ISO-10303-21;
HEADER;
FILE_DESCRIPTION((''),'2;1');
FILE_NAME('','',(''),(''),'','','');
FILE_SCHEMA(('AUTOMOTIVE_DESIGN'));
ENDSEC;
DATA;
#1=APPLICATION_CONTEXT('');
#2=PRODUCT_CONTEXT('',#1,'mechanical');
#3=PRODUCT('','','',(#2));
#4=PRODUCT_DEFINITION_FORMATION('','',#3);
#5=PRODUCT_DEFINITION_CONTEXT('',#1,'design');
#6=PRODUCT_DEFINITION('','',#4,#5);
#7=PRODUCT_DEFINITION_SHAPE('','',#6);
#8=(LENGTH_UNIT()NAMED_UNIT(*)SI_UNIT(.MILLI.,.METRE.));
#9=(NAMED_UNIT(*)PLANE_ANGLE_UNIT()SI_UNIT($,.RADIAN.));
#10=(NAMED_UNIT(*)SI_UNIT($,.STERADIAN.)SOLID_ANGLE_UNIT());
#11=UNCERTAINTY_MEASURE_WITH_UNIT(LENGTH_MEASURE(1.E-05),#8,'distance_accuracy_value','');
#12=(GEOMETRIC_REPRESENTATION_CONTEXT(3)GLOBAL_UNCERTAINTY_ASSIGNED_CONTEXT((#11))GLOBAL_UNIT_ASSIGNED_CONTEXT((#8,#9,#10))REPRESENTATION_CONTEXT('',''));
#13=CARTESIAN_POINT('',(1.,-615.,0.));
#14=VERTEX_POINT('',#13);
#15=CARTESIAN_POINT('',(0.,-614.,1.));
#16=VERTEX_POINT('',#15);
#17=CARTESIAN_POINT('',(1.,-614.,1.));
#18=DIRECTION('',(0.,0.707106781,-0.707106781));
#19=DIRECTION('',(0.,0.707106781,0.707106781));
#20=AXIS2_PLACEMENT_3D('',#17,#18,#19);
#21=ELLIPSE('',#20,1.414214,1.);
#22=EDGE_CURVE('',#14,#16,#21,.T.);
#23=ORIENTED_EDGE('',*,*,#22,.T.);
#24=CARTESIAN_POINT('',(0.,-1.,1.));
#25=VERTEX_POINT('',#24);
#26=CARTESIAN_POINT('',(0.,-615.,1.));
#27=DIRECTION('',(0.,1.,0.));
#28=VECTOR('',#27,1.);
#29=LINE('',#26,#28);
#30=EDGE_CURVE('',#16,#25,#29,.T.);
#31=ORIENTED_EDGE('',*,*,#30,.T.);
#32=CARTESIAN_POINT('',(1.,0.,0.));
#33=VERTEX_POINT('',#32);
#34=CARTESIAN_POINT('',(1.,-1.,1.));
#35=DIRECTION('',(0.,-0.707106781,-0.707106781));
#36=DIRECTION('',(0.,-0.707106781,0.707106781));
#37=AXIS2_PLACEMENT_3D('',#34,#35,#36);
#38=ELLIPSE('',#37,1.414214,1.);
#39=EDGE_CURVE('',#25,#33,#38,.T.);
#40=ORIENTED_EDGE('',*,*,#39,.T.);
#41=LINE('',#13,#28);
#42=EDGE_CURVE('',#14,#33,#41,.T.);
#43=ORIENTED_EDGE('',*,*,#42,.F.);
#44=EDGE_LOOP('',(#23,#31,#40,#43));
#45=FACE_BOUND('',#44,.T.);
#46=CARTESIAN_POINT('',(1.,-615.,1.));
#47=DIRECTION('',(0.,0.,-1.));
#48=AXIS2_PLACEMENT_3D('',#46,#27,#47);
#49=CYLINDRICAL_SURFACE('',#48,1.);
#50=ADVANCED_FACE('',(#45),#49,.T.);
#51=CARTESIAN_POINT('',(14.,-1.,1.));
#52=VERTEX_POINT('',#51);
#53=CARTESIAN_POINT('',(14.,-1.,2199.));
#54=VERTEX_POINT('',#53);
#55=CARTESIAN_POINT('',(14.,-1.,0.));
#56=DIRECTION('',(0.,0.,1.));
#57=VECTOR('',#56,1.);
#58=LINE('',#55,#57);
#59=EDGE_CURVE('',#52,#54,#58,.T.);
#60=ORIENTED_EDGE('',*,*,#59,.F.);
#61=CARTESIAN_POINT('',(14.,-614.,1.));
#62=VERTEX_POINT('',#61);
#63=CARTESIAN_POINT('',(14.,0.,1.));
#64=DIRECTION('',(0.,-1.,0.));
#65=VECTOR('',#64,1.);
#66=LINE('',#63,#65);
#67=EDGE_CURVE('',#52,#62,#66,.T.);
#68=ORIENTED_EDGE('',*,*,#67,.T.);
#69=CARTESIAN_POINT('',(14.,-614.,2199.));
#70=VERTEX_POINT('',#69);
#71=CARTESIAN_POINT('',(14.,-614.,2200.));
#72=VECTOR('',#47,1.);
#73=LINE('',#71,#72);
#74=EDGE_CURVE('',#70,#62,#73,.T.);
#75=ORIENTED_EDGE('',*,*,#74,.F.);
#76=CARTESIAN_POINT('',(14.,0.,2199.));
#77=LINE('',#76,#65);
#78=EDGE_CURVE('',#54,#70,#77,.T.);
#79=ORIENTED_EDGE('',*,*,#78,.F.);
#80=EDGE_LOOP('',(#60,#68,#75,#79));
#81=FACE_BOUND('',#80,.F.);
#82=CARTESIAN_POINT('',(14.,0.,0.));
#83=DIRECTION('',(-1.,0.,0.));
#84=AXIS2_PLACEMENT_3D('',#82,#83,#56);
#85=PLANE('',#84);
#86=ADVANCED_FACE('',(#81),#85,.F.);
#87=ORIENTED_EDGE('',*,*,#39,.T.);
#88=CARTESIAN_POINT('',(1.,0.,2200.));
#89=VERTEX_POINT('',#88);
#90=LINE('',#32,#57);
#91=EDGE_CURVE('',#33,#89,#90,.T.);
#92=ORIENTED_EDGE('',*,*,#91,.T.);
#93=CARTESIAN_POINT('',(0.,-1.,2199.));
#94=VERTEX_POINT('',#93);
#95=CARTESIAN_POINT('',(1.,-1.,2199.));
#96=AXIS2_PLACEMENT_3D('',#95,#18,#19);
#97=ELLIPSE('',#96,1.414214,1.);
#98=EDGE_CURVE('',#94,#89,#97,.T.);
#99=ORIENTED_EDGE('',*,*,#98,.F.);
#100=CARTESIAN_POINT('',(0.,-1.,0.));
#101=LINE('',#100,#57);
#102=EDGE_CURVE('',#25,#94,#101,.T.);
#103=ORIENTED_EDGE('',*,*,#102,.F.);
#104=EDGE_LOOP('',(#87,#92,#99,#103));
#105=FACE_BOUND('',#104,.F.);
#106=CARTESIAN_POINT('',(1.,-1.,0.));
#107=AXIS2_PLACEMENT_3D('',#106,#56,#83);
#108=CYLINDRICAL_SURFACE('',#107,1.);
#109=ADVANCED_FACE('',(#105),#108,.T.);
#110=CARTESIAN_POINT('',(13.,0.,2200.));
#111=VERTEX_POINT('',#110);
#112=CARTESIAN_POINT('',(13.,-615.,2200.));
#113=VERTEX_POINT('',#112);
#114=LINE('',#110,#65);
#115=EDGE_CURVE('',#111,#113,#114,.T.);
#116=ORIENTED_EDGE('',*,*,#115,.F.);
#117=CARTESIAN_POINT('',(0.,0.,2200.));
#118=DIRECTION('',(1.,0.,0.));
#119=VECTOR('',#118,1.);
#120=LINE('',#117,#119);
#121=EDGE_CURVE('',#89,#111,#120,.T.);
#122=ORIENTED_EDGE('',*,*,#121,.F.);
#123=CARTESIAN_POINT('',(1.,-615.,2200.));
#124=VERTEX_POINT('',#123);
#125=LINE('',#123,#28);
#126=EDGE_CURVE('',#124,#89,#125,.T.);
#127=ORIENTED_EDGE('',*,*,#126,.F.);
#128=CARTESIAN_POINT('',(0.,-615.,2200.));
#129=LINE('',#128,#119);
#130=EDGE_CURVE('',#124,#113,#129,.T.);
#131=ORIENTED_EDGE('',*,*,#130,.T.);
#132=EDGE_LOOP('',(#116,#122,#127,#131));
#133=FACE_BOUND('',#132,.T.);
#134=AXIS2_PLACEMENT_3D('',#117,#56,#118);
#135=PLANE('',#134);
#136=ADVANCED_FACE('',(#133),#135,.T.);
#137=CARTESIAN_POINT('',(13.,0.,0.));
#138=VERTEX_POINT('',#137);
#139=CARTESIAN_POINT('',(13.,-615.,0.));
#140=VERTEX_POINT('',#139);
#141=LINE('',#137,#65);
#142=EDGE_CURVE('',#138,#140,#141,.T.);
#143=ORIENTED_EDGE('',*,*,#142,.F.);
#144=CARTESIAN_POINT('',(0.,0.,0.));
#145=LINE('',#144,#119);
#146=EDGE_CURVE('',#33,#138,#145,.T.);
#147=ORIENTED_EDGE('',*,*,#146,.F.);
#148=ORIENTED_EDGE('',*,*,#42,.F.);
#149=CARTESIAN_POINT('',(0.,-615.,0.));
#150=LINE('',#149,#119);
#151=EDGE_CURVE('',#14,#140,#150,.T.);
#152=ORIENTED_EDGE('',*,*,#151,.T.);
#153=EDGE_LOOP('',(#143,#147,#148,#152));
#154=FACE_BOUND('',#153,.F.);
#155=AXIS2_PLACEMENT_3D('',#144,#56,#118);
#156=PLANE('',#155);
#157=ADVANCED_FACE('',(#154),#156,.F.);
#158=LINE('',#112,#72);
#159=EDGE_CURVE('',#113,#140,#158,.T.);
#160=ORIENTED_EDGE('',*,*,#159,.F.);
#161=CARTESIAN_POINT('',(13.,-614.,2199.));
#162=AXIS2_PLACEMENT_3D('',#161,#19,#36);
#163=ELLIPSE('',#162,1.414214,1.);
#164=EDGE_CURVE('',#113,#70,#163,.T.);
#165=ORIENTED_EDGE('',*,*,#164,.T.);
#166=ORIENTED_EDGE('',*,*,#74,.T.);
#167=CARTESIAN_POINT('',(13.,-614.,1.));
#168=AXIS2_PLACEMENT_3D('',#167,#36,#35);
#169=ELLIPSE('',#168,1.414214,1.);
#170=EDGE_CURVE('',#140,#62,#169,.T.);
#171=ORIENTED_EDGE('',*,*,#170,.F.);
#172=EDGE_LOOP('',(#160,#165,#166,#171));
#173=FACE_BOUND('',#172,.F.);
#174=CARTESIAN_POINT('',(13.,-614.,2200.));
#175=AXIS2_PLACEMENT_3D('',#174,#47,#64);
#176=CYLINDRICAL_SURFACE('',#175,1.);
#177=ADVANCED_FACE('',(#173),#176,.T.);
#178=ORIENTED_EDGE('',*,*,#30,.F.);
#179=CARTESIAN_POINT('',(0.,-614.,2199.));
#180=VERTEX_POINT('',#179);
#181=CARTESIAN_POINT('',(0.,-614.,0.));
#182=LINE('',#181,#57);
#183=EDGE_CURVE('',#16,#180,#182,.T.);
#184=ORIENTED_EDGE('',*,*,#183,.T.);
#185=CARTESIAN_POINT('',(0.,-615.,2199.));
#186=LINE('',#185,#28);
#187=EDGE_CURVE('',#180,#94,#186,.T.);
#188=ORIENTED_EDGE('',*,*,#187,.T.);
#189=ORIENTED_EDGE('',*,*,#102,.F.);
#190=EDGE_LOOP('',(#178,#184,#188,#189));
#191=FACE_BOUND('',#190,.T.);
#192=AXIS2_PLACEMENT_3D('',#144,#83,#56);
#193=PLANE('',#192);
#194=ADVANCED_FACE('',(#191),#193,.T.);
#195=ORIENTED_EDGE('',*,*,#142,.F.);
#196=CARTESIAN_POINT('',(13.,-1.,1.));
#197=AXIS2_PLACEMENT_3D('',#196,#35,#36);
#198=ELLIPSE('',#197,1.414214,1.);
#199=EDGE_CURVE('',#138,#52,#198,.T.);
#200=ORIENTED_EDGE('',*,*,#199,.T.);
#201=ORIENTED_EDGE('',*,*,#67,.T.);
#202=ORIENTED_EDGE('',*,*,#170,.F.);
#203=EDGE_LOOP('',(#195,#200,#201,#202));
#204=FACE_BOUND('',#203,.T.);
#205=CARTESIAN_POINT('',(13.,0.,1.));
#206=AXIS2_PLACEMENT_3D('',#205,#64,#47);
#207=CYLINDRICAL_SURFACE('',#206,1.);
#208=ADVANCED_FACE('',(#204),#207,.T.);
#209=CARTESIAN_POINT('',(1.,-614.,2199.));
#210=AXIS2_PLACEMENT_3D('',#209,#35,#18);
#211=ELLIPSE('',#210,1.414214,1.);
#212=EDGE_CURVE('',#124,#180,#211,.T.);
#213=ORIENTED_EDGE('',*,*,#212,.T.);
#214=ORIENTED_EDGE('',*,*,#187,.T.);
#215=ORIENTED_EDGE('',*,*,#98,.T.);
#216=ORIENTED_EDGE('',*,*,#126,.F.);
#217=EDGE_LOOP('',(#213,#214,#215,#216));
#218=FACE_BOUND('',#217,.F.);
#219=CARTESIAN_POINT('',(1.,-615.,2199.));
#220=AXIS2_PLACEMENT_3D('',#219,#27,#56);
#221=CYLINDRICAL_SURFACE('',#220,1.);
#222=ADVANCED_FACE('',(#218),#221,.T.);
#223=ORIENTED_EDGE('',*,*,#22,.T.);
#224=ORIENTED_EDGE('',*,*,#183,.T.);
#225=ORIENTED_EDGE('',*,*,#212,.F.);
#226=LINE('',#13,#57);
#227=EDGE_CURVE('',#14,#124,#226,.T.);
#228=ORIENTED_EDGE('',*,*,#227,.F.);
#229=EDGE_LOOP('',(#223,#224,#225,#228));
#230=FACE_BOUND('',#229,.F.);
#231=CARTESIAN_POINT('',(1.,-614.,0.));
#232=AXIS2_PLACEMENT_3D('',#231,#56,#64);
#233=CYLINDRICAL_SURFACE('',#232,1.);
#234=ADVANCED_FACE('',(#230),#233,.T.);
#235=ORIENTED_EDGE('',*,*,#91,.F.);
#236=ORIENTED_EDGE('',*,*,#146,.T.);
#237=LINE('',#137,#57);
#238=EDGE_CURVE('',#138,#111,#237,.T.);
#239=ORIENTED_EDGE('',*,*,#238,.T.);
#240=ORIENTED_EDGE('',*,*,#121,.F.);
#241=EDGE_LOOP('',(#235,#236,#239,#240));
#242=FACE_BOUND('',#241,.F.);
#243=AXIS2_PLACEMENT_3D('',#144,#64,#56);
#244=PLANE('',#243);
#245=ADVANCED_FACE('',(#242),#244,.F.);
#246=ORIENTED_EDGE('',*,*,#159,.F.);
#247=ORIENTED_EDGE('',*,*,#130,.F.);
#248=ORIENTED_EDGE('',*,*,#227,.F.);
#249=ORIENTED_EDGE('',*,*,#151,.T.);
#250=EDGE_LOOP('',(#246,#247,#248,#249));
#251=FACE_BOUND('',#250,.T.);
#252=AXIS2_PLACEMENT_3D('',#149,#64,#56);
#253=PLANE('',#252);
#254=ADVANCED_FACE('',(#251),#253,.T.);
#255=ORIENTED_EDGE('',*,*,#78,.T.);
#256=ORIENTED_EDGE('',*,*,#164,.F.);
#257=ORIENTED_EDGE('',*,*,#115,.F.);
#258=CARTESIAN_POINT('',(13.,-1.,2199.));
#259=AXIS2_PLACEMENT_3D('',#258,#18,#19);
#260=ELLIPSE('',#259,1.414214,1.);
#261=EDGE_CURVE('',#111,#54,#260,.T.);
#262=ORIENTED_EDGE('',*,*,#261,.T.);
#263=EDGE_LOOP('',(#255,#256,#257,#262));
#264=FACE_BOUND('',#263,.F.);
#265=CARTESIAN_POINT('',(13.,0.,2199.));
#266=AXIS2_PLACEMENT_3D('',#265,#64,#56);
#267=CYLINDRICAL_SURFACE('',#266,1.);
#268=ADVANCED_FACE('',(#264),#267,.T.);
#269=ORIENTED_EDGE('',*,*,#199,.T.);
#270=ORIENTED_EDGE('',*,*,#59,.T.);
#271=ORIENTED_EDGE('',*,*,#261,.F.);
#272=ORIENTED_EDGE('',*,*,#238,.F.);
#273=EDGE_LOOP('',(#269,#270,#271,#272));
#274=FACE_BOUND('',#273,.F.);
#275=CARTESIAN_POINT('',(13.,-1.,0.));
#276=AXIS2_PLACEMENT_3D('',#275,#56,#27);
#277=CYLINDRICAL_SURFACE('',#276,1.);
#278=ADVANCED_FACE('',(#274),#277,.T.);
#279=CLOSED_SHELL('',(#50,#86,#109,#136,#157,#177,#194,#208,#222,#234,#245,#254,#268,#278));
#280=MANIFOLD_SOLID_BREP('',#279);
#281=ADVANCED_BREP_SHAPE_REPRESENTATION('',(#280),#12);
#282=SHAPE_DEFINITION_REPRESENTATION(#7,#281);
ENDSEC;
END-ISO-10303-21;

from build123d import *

# Parameters (mm, degrees)
F0_W     = 45.3829057515
F0_H     = 30.278544873
F1_DEPTH = 14
F2_DEPTH = 615
F3_DEPTH = 2200
F4_R     = 1


with BuildPart() as f1:
    # F0 (on Right) → F1 (new body)
    with BuildSketch(Plane.YZ):
        with Locations((-22.6914528757, 15.1392724365)):
            Rectangle(F0_W, F0_H)
    extrude(amount=F1_DEPTH)

    # F2 (add): a face of the model
    f2_faces = [f1.faces().sort_by_distance(p)[0] for p in [
        (7, 0, 15.1392724365),
    ]]
    extrude(f2_faces, amount=-F2_DEPTH)

    # F3 (add): a face of the model
    f3_faces = [f1.faces().sort_by_distance(p)[0] for p in [
        (7, -307.5, 0),
    ]]
    extrude(f3_faces, amount=-F3_DEPTH)

    # F4
    f4_edges = [f1.edges().sort_by_distance(p)[0] for p in [
        (0, 0, 1100),
        (0, -307.5, 2200),
        (0, -615, 1100),
        (0, -307.5, 0),
        (14, -307.5, 0),
        (14, 0, 1100),
        (14, -307.5, 2200),
        (14, -615, 1100),
    ]]
    fillet(f4_edges, radius=F4_R)


solid = f1.part
